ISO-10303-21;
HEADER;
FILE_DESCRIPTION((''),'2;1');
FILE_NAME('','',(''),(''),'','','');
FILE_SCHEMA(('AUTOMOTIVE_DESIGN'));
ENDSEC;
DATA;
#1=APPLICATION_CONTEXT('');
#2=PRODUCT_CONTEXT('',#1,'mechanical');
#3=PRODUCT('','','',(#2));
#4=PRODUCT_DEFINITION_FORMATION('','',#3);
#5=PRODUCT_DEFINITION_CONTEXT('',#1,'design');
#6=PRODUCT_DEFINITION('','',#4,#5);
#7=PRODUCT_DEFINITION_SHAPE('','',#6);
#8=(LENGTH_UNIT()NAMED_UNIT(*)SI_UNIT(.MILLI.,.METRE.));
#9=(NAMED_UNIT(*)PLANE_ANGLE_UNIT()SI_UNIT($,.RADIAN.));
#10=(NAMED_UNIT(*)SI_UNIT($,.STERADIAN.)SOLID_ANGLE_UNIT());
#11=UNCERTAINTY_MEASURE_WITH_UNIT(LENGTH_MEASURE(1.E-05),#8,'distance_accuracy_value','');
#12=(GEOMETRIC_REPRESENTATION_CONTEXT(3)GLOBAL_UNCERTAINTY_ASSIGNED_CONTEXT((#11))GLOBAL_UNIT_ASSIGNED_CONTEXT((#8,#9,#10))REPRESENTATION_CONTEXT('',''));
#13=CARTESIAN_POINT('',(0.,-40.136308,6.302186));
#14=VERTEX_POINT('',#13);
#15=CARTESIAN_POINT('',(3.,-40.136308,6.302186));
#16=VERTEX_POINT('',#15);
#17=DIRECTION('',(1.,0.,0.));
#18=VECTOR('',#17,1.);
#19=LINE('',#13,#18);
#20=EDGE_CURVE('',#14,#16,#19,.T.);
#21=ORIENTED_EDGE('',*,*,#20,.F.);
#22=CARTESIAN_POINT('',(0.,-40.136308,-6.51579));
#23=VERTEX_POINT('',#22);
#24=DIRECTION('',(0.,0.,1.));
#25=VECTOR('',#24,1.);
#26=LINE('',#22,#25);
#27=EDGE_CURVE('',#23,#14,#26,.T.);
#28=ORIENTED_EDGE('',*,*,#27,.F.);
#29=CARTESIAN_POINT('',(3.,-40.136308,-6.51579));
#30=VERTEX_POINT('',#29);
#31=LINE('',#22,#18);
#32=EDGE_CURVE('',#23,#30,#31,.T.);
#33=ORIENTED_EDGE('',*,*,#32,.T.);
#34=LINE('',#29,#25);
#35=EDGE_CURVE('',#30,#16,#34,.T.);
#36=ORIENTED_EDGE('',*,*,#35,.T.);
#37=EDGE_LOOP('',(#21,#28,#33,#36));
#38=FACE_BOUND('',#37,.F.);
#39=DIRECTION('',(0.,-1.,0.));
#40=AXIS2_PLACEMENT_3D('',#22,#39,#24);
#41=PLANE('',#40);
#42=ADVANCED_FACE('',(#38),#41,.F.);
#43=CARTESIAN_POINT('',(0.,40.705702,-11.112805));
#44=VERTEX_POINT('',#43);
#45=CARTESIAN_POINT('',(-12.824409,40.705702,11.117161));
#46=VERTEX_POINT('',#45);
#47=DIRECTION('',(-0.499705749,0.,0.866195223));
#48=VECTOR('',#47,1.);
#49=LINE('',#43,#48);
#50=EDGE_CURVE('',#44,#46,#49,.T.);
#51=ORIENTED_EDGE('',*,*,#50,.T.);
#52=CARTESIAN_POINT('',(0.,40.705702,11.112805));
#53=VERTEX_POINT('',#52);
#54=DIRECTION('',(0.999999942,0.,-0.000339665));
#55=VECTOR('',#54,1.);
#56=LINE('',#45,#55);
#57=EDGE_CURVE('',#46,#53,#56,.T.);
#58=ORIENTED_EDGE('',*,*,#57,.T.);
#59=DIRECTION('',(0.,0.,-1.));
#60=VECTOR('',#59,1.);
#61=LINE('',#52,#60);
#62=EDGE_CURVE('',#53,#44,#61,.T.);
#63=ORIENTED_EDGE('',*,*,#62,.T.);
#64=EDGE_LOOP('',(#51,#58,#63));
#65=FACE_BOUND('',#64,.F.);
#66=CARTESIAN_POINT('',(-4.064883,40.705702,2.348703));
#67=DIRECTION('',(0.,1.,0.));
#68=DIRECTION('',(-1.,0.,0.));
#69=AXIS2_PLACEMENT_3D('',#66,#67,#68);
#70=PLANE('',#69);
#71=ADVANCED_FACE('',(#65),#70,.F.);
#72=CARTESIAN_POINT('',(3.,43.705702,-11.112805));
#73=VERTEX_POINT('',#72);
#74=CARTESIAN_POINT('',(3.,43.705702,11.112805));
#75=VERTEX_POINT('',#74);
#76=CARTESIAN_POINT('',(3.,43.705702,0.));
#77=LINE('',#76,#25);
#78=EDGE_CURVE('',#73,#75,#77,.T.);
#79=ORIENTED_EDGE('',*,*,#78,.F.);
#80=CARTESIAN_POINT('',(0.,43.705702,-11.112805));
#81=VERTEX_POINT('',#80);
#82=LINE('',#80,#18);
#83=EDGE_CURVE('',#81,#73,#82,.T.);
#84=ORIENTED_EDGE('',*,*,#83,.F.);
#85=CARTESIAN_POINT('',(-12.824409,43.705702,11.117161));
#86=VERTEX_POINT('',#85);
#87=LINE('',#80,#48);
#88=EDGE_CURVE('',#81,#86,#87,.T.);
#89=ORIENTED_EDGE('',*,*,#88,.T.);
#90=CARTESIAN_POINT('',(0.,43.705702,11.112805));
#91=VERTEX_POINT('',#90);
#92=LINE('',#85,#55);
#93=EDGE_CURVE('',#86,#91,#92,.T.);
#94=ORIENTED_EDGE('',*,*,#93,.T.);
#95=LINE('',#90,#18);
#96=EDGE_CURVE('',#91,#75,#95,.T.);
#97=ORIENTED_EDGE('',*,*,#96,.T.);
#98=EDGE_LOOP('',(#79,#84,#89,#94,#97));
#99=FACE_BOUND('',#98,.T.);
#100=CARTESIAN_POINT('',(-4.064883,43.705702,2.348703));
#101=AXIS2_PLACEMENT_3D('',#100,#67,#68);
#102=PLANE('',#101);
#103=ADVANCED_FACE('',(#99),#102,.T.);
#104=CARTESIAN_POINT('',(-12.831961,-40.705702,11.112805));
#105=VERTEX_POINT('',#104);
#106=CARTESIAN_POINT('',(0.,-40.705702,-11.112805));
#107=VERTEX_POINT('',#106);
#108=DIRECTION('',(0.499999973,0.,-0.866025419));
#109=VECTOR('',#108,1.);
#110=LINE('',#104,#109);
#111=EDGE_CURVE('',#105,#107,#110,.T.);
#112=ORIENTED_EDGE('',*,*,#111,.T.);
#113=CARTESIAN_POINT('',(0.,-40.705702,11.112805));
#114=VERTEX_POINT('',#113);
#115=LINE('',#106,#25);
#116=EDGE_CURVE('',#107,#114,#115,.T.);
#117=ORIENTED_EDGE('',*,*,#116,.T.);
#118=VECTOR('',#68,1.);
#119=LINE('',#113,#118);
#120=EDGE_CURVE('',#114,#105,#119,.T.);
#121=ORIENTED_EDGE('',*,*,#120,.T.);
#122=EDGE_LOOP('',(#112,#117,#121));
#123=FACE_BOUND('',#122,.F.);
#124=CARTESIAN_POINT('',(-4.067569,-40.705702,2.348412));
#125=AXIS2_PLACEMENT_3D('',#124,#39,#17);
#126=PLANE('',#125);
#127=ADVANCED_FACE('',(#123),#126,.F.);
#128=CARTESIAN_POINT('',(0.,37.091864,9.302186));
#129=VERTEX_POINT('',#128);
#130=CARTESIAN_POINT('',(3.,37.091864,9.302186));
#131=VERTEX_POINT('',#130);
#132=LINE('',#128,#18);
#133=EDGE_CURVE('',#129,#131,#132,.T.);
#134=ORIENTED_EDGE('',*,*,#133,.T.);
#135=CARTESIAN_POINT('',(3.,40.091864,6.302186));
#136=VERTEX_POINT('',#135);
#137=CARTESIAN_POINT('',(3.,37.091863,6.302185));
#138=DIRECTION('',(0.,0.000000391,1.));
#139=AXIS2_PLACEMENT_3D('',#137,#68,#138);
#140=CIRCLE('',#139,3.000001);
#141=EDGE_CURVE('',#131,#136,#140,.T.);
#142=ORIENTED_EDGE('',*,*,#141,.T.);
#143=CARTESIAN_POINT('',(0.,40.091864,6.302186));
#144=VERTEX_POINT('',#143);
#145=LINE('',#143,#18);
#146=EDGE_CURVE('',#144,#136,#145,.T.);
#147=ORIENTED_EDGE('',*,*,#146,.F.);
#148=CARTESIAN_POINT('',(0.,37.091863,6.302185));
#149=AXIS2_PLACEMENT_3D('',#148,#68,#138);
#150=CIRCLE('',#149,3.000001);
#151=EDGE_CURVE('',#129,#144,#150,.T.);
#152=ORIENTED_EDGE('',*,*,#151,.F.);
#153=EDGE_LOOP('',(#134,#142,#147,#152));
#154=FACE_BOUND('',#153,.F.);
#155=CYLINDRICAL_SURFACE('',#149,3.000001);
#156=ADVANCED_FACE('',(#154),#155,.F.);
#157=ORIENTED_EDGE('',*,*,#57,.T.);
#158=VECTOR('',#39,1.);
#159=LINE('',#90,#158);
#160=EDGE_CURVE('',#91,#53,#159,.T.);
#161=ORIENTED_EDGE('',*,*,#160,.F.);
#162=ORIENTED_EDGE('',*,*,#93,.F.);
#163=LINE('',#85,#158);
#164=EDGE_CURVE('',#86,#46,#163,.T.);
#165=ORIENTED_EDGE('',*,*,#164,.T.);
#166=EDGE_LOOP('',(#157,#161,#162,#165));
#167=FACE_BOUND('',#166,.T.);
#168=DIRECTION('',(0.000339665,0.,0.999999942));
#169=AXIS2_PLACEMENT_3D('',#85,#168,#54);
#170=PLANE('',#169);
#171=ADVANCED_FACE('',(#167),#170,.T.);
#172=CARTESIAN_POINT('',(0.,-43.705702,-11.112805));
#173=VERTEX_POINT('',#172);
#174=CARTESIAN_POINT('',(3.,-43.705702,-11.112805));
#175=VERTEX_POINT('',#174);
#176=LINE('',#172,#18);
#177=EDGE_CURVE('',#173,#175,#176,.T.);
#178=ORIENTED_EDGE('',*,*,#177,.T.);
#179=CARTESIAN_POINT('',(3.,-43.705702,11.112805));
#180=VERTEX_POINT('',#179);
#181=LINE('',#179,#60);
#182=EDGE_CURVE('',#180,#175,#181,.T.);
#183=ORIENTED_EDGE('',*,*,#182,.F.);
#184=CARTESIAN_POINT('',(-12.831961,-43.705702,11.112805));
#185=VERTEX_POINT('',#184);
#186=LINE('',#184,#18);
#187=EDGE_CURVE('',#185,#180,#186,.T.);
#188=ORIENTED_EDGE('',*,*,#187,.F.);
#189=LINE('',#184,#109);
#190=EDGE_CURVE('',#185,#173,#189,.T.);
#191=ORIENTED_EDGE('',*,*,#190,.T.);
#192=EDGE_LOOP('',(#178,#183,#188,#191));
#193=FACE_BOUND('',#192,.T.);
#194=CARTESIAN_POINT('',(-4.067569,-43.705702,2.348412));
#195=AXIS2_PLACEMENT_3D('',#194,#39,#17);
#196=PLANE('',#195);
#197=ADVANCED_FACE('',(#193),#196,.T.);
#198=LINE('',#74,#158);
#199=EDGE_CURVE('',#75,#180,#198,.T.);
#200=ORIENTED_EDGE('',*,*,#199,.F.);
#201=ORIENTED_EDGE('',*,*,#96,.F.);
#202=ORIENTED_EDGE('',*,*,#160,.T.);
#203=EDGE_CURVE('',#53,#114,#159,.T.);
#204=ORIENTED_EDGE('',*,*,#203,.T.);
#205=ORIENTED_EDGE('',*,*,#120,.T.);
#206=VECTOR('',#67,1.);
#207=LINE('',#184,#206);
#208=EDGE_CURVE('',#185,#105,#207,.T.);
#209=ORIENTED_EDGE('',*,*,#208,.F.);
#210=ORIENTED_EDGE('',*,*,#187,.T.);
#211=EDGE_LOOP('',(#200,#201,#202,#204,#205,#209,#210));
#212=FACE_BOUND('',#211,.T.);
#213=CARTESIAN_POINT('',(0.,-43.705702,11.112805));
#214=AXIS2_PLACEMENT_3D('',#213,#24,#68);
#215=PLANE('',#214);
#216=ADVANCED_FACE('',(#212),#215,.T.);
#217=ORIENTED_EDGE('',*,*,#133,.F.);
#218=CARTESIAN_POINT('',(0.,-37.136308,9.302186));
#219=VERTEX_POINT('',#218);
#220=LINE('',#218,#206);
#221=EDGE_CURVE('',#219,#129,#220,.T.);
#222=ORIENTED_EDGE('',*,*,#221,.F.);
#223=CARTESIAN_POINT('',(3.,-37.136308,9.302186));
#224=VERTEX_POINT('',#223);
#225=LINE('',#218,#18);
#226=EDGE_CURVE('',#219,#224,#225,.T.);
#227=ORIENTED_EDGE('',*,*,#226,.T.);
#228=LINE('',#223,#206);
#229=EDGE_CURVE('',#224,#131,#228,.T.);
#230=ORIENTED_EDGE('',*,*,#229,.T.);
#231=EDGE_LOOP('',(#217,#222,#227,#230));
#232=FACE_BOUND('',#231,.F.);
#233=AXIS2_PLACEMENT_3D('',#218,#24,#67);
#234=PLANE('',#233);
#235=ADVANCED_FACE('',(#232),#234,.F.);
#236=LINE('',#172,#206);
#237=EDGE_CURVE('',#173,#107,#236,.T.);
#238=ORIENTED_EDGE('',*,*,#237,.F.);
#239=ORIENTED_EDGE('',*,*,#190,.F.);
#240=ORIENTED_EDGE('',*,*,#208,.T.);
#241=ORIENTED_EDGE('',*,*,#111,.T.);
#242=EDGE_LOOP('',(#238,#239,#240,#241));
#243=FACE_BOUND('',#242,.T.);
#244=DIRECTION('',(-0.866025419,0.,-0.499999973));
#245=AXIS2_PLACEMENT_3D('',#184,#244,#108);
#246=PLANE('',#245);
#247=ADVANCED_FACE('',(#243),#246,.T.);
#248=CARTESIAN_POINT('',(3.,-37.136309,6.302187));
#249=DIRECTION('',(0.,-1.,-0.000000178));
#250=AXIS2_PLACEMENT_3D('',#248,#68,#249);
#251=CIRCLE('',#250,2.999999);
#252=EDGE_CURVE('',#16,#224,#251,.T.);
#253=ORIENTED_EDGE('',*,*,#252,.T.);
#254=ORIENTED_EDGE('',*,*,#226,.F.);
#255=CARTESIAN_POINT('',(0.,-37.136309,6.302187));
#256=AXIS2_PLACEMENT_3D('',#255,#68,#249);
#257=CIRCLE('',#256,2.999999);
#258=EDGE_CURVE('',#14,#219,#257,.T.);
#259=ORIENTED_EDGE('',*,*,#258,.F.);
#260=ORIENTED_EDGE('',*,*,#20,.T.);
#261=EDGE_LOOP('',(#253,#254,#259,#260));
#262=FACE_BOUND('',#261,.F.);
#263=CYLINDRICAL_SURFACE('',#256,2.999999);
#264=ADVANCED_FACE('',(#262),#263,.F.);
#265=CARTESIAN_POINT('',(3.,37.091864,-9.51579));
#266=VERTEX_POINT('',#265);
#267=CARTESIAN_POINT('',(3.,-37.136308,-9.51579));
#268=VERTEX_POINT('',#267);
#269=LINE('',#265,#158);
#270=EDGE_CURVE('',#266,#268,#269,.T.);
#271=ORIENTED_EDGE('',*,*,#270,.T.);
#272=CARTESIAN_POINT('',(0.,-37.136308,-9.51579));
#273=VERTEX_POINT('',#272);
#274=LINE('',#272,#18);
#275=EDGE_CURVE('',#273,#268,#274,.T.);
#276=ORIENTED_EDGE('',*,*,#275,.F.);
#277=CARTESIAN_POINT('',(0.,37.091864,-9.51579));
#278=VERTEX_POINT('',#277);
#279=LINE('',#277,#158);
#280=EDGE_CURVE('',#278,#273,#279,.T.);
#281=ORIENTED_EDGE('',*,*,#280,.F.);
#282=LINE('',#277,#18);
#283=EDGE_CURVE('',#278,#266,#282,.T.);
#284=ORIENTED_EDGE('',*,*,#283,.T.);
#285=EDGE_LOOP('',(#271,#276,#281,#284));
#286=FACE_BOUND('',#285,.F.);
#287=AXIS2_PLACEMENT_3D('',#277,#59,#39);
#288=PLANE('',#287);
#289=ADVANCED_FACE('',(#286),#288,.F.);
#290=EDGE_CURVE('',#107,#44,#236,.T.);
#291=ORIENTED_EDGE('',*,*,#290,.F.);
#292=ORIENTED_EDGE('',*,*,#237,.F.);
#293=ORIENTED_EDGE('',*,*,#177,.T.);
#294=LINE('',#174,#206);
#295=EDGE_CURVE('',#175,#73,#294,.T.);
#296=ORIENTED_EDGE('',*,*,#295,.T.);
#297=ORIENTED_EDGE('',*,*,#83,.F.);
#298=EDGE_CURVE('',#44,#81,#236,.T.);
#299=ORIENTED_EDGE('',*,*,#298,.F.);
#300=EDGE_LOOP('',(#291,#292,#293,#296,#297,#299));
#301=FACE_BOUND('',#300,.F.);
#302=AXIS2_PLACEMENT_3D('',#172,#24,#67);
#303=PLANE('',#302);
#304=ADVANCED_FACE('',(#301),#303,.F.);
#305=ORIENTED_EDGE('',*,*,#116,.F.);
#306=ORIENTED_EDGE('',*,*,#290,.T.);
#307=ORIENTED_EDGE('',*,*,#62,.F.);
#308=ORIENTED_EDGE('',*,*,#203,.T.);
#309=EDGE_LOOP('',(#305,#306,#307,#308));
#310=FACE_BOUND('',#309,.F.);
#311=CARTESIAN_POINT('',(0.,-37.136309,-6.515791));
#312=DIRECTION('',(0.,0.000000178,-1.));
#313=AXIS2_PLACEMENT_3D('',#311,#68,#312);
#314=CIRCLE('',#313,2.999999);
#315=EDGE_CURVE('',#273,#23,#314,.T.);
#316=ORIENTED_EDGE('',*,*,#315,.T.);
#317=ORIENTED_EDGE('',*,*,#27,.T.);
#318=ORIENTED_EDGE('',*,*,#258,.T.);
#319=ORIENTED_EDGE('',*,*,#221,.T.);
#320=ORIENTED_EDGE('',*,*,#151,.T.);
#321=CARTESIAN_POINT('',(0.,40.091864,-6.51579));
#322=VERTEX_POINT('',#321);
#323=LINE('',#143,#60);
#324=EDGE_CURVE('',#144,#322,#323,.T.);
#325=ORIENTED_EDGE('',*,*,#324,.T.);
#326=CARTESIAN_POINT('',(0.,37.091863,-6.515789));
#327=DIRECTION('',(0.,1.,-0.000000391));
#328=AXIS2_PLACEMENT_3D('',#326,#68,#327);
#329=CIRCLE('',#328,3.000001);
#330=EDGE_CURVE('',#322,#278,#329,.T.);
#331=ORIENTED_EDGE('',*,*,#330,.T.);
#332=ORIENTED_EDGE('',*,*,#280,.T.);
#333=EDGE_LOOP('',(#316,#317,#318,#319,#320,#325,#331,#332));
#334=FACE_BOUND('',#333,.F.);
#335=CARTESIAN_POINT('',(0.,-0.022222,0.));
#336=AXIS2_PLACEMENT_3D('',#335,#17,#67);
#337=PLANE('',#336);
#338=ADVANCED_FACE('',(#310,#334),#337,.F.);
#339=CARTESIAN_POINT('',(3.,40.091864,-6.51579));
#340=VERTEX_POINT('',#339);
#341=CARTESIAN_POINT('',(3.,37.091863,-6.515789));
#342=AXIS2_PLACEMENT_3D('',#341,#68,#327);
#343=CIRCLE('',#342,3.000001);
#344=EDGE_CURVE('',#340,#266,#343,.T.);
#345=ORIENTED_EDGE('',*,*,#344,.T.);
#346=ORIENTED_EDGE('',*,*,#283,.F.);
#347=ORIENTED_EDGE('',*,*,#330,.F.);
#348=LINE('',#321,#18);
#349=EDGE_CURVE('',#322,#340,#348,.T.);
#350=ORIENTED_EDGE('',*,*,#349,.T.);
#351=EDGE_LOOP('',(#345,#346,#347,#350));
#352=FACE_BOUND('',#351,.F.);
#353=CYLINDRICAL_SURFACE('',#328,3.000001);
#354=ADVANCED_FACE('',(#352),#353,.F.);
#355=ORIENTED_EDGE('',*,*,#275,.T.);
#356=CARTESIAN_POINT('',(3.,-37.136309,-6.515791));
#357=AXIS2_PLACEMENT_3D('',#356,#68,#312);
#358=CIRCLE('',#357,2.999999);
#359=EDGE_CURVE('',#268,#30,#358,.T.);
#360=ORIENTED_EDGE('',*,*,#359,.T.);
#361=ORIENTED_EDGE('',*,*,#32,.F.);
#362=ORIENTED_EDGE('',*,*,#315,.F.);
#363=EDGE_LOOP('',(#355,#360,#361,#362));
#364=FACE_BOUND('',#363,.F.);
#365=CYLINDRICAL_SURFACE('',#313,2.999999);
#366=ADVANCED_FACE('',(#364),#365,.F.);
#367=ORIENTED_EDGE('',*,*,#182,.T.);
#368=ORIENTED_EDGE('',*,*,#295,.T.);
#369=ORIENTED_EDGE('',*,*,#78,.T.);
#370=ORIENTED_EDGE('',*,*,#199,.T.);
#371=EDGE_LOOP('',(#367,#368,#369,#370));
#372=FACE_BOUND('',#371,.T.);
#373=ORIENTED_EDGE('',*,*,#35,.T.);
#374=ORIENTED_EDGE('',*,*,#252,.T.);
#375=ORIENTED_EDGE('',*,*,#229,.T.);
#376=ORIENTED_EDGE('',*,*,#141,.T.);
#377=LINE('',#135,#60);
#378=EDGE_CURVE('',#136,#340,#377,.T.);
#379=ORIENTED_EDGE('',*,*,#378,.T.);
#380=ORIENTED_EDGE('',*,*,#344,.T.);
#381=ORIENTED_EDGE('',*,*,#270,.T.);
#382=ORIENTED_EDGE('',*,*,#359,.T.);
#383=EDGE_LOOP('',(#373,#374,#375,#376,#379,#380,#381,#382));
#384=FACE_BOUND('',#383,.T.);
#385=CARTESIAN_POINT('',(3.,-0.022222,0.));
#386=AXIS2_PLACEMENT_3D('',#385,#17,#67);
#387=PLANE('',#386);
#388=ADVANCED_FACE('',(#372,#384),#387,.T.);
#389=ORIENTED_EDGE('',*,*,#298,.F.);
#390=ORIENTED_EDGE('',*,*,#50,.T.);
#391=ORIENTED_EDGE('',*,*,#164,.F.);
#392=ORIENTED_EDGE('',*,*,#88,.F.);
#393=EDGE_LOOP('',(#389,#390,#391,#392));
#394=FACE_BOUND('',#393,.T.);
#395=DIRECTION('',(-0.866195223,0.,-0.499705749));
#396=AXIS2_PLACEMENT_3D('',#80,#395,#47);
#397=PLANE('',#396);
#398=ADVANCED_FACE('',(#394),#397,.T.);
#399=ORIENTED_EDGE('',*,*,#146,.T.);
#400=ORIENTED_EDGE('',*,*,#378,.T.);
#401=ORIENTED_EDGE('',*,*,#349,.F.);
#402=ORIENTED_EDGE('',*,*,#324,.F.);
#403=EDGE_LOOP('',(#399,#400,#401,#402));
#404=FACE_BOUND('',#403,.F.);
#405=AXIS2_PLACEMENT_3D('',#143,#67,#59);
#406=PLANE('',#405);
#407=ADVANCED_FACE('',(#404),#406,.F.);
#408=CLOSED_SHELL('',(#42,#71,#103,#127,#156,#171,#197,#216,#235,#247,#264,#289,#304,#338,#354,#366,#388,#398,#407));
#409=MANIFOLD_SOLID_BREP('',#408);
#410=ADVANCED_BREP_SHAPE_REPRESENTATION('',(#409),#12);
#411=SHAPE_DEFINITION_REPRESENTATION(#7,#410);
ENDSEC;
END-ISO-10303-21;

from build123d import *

# Parameters (mm, degrees)
F0_W     = 2.142924
F0_H     = 22.22561
F1_DEPTH = 3
F3_DEPTH = 3
F5_DEPTH = 3


with BuildPart() as f1:
    # F0 (on Right) → F1 (new body)
    with BuildSketch(Plane.YZ):
        Polygon((-41.607222, 6.203198), (-41.607222, -6.416802), (-41.607222, -11.112805), (41.562778, -11.112805), (41.562778, 11.112805), (-41.607222, 11.112805), align=None)
        with BuildLine():
            ThreePointArc((-40.136308, 6.302186), (-39.257629, 8.423506), (-37.136308, 9.302186))
            Line((-37.136308, 9.302186), (37.091864, 9.302186))
            ThreePointArc((37.091864, 9.302186), (39.213184, 8.423506), (40.091864, 6.302186))
            Line((40.091864, 6.302186), (40.091864, -6.51579))
            ThreePointArc((40.091864, -6.51579), (39.213184, -8.63711), (37.091864, -9.51579))
            Line((37.091864, -9.51579), (-37.136308, -9.51579))
            ThreePointArc((-37.136308, -9.51579), (-39.257629, -8.63711), (-40.136308, -6.51579))
            Line((-40.136308, -6.51579), (-40.136308, 6.302186))
        make_face(mode=Mode.SUBTRACT)
        Polygon((-41.607222, -11.112805), (-41.607222, -6.416802), (-41.607222, 6.203198), (-41.607222, 11.112805), (-43.705702, 11.112805), (-43.705702, -11.112805), align=None)
        with Locations((42.63424, 0)):
            Rectangle(F0_W, F0_H)
    extrude(amount=F1_DEPTH)

    # F2 (on face) → F3 (join)
    with BuildSketch(Plane.XZ.offset(43.705702)):
        Polygon((0, -11.112805), (0, 11.112805), (-12.831961, 11.112805), align=None)
    extrude(amount=-F3_DEPTH)

    # F4 (on face) → F5 (join)
    with BuildSketch(Plane(origin=(0, 43.705702, 0), x_dir=(-1, 0, 0), z_dir=(0, 1, 0))):
        Polygon((12.824409, 11.117161), (0, 11.112805), (0, -11.112805), align=None)
    extrude(amount=-F5_DEPTH)


solid = f1.part
